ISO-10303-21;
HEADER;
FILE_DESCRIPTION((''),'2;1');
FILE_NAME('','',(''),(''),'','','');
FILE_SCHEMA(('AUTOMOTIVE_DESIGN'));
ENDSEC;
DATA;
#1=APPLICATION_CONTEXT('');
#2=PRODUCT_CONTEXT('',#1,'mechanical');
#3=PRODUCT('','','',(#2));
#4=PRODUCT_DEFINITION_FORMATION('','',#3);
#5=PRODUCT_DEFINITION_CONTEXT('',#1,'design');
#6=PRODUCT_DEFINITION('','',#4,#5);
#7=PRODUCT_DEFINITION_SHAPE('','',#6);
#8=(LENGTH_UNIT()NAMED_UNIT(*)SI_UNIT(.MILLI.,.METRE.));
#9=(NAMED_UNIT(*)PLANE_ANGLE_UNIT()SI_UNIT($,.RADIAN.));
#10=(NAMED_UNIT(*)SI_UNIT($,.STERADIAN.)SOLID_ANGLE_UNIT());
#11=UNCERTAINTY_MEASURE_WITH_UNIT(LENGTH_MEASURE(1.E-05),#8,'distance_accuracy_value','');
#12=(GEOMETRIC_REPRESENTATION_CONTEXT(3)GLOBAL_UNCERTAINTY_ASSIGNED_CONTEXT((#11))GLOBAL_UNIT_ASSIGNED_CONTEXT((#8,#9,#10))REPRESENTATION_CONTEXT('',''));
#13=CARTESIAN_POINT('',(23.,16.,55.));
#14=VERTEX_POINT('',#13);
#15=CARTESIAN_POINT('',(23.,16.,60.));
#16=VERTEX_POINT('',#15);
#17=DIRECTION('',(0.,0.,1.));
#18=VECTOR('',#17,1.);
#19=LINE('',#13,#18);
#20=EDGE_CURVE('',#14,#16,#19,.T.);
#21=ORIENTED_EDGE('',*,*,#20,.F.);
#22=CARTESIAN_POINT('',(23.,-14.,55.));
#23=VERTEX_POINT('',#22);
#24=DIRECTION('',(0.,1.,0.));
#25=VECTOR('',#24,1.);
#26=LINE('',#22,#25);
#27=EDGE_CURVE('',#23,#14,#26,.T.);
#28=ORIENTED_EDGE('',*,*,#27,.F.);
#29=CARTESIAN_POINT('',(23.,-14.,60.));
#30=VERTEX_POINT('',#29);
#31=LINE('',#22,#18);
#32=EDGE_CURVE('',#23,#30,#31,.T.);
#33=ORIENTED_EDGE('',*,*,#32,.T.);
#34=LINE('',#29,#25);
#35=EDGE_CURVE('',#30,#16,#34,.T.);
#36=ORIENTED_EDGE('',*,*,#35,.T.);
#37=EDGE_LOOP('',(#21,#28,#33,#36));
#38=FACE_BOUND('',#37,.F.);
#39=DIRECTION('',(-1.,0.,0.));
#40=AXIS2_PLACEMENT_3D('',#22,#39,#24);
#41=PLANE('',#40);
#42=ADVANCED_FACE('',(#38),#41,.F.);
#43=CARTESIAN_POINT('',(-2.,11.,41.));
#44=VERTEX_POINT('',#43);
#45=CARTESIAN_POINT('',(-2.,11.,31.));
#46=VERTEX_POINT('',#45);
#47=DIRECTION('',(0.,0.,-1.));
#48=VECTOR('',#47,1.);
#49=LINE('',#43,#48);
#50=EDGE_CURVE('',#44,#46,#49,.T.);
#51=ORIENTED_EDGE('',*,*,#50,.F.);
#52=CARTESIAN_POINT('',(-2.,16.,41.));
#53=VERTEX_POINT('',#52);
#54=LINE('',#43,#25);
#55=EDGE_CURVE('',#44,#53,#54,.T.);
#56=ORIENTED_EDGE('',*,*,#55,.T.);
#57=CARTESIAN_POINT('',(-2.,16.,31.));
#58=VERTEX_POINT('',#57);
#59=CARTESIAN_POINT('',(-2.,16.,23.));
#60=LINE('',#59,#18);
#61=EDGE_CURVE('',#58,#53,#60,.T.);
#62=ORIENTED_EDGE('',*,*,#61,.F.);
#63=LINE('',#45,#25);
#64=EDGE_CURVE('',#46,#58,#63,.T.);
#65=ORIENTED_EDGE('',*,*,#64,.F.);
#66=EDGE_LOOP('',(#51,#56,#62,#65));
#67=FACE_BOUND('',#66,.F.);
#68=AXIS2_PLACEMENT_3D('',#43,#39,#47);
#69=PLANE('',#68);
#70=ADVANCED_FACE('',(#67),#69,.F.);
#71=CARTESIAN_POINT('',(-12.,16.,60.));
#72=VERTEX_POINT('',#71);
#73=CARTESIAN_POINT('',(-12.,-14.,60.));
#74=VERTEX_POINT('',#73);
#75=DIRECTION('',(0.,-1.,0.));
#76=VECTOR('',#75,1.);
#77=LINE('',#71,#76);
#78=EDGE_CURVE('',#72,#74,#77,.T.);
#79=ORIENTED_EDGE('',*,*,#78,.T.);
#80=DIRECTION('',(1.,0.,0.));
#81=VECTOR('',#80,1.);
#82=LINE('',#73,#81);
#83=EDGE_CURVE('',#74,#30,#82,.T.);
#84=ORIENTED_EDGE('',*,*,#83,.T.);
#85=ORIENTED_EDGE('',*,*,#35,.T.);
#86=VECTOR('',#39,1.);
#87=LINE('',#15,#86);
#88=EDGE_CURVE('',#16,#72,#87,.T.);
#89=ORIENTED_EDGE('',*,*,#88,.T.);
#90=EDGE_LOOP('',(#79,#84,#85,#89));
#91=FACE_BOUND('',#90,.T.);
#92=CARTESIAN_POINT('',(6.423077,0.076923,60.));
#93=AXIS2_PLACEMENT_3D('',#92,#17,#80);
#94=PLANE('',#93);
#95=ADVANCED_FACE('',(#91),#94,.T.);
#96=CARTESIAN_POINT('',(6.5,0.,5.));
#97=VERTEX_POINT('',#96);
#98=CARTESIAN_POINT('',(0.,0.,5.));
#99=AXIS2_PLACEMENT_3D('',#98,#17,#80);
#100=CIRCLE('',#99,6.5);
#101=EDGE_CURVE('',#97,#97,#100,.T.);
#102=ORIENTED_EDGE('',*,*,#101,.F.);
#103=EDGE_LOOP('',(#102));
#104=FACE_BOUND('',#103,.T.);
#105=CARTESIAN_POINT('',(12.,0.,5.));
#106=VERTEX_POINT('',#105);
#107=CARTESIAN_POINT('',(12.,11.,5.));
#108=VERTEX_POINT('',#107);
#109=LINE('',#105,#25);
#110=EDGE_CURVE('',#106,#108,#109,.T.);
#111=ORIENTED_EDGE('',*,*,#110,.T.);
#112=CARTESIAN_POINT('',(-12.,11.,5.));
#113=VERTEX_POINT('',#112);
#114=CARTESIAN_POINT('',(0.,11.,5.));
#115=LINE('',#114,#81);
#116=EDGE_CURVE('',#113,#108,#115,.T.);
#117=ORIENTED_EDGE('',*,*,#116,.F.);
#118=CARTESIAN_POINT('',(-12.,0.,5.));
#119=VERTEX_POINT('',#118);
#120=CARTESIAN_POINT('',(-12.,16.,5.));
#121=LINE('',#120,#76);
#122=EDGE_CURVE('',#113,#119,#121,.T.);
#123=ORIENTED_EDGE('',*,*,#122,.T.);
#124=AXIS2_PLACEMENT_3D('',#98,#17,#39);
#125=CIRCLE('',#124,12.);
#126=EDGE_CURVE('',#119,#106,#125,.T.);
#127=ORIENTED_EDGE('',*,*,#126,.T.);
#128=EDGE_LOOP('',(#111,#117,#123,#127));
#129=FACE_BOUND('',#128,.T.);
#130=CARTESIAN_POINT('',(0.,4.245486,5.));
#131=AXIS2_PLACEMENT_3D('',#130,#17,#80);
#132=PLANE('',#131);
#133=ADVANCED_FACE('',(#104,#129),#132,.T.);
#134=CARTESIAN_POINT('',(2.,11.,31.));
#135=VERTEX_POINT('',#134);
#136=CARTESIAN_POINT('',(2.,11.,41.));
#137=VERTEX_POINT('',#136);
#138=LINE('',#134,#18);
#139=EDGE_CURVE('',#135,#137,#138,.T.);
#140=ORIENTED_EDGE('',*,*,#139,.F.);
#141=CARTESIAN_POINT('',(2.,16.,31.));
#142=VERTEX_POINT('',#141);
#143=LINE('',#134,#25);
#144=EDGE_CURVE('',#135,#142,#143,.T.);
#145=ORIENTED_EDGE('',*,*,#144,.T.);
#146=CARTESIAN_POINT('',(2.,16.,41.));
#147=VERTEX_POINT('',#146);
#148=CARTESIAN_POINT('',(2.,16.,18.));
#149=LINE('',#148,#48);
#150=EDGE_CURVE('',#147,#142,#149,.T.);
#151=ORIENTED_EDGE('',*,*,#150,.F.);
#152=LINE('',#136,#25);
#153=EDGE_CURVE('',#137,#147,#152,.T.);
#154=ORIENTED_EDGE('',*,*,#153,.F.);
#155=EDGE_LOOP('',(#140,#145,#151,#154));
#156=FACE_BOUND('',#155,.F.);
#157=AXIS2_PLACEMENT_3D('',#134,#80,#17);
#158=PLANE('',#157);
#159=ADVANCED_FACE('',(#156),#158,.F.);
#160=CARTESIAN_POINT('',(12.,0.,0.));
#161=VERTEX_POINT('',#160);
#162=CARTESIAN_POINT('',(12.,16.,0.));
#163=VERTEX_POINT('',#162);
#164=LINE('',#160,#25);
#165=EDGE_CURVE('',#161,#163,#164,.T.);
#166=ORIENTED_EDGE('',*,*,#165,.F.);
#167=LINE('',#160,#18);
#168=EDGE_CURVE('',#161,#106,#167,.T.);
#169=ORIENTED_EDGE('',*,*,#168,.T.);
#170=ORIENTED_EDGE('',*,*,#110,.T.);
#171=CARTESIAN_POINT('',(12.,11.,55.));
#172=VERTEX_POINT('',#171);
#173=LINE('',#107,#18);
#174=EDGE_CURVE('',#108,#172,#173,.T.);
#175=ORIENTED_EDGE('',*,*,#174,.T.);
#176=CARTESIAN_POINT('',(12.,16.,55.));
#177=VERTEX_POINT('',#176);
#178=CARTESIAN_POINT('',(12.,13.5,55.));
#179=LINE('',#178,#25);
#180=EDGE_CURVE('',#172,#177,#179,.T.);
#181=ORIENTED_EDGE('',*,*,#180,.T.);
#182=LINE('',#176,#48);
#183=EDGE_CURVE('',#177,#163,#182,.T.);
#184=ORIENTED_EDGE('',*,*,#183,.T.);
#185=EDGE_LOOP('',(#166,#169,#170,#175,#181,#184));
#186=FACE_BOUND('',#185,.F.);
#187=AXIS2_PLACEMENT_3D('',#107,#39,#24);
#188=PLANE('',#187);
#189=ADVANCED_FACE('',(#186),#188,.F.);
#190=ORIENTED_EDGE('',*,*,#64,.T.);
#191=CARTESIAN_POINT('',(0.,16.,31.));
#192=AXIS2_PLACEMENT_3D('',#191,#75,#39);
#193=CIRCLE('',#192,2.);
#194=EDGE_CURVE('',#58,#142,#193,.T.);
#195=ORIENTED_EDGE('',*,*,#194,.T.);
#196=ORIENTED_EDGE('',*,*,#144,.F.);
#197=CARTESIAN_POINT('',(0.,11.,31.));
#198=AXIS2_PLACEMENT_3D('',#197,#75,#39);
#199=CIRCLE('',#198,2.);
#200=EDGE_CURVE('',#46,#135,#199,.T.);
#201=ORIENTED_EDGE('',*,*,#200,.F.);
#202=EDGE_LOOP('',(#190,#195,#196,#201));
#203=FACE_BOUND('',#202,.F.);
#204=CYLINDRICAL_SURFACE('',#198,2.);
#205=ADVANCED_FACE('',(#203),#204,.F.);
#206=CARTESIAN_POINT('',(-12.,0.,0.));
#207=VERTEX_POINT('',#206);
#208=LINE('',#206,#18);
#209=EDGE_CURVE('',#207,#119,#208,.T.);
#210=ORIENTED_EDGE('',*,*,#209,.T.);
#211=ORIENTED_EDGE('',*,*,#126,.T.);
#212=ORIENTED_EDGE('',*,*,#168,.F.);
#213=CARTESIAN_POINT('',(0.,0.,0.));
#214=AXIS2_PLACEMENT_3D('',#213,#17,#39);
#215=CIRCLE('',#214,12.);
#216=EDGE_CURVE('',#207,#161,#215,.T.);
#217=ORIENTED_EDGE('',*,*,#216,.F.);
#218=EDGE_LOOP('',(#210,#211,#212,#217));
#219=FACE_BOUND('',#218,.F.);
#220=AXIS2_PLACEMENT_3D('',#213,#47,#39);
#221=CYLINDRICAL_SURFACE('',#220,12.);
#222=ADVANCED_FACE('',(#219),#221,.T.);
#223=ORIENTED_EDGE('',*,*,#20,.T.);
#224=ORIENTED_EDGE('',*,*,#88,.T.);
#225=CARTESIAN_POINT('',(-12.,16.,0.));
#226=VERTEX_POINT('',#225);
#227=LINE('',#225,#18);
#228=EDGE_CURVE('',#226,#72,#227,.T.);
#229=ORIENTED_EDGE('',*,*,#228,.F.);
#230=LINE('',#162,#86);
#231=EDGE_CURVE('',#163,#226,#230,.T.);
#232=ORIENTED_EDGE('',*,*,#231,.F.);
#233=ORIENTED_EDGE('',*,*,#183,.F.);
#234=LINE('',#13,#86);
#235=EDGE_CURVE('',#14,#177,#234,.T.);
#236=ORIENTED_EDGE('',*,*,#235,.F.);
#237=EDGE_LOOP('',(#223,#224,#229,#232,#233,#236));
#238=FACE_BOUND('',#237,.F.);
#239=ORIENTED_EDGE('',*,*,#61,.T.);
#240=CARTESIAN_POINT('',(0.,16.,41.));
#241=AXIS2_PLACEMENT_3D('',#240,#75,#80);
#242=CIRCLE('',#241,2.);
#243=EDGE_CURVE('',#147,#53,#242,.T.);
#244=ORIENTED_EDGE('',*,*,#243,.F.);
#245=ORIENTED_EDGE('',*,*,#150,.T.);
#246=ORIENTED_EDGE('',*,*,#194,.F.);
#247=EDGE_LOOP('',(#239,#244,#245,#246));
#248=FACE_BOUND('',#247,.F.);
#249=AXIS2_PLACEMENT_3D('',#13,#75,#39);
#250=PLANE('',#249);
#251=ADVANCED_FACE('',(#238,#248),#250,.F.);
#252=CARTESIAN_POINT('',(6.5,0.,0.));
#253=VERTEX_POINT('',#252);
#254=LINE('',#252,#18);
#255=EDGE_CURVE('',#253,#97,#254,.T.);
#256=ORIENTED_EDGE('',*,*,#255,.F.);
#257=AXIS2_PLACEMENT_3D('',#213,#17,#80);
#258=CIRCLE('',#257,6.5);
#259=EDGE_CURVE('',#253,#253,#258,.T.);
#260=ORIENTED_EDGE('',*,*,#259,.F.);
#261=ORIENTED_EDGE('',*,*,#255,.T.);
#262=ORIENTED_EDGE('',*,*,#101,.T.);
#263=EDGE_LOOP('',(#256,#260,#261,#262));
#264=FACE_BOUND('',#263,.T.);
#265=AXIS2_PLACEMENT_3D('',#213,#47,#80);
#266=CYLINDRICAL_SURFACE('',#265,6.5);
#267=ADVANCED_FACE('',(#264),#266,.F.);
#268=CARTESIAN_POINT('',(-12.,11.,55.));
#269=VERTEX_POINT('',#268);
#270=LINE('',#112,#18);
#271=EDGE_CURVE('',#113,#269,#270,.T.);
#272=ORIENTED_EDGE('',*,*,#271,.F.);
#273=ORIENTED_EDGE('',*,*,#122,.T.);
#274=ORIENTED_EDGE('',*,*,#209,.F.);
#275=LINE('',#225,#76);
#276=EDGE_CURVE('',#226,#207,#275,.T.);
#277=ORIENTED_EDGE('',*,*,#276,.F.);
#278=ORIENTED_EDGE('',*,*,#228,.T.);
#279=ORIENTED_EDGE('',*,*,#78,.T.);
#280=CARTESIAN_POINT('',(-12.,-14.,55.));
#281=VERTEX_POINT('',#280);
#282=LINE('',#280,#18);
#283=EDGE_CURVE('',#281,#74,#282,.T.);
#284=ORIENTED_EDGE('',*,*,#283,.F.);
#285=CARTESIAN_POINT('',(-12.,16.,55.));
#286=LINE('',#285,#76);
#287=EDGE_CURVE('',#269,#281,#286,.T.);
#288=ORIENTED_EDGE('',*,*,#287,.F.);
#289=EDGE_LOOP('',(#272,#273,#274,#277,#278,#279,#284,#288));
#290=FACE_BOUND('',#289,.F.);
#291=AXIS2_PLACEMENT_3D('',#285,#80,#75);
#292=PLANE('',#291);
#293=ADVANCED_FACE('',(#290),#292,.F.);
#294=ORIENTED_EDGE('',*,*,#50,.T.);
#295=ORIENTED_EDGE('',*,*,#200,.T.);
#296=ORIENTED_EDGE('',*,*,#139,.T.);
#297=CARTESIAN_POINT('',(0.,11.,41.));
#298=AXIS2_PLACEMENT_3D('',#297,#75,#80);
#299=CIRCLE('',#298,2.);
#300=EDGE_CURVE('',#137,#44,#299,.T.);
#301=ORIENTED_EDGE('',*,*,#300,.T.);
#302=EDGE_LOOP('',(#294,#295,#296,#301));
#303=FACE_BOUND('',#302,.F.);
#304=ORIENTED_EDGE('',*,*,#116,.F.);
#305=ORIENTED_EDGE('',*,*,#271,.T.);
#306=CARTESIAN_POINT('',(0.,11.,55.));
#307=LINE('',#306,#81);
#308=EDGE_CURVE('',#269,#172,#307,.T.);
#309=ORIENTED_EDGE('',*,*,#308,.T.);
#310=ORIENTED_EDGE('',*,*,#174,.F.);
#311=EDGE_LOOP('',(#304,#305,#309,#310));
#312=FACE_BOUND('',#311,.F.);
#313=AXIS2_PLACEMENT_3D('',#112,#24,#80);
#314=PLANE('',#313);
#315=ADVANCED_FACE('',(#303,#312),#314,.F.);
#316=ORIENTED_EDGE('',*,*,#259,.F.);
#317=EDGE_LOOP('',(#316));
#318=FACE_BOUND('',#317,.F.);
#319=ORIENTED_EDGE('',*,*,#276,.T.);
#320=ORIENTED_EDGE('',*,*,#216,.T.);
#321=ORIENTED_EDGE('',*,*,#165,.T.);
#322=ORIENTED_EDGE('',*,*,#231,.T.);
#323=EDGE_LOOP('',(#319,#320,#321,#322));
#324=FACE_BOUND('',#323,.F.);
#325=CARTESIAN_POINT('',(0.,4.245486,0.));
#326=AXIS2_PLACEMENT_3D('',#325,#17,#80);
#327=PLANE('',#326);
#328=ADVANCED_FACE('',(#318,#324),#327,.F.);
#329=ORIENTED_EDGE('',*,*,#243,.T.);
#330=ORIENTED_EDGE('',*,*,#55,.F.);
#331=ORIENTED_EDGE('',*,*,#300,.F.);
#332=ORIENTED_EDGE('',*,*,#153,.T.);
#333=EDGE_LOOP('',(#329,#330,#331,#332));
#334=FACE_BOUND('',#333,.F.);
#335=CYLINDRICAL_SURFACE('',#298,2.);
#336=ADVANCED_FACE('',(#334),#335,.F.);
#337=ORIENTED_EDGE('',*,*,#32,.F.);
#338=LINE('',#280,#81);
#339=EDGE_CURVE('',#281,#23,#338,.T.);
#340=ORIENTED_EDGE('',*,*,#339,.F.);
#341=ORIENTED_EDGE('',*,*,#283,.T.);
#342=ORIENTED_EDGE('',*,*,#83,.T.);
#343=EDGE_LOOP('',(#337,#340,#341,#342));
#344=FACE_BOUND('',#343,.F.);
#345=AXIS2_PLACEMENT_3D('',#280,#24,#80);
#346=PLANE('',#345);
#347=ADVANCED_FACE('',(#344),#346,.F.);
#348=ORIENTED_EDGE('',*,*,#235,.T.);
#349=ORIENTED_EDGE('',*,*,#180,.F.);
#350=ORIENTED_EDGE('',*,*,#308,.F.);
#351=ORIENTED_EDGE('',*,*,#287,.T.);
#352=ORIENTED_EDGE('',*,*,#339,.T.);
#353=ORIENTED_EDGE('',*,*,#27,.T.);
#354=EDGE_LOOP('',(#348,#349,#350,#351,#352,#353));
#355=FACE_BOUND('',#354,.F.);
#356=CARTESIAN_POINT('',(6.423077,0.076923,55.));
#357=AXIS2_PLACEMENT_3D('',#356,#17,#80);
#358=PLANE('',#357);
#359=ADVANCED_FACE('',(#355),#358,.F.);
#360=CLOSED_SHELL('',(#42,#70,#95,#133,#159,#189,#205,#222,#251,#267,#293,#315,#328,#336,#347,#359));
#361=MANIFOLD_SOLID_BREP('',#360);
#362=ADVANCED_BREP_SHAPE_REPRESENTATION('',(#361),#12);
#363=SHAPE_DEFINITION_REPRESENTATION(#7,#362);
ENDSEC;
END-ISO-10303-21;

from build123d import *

# Parameters (mm, degrees)
F0_R     = 6.5
F1_DEPTH = 5
F2_W     = 24
F2_H     = 5
F3_DEPTH = 50
F5_DEPTH = 5.001
F6_W     = 24
F6_H     = 5
F7_DEPTH = 5


with BuildPart() as f1:
    # F0 (on Top) → F1 (new body)
    with BuildSketch(Plane.XY):
        with BuildLine():
            Line((-12, 16), (-12, 0))
            ThreePointArc((-12, 0), (0, -12), (12, 0))
            Line((12, 0), (12, 16))
            Line((12, 16), (-12, 16))
        make_face()
        Circle(F0_R, mode=Mode.SUBTRACT)
    extrude(amount=F1_DEPTH)

    # F2 (on face) → F3 (join)
    with BuildSketch(Plane.XY.offset(5)):
        with Locations((0, 13.5)):
            Rectangle(F2_W, F2_H)
    extrude(amount=F3_DEPTH)

    # F4 (on face) → F5 (cut, through all)
    with BuildSketch(Plane.XZ.offset(-11)):
        with BuildLine():
            ThreePointArc((2, 41), (0, 43), (-2, 41))
            Line((-2, 41), (-2, 31))
            ThreePointArc((-2, 31), (0, 29), (2, 31))
            Line((2, 31), (2, 41))
        make_face()
    extrude(amount=-F5_DEPTH, mode=Mode.SUBTRACT)

    # F6 (on face) → F7 (join)
    with BuildSketch(Plane.XY.offset(55)):
        Polygon((23, 16), (12, 16), (12, 11), (-12, 11), (-12, -14), (23, -14), align=None)
        with Locations((0, 13.5)):
            Rectangle(F6_W, F6_H)
    extrude(amount=F7_DEPTH)


solid = f1.part
